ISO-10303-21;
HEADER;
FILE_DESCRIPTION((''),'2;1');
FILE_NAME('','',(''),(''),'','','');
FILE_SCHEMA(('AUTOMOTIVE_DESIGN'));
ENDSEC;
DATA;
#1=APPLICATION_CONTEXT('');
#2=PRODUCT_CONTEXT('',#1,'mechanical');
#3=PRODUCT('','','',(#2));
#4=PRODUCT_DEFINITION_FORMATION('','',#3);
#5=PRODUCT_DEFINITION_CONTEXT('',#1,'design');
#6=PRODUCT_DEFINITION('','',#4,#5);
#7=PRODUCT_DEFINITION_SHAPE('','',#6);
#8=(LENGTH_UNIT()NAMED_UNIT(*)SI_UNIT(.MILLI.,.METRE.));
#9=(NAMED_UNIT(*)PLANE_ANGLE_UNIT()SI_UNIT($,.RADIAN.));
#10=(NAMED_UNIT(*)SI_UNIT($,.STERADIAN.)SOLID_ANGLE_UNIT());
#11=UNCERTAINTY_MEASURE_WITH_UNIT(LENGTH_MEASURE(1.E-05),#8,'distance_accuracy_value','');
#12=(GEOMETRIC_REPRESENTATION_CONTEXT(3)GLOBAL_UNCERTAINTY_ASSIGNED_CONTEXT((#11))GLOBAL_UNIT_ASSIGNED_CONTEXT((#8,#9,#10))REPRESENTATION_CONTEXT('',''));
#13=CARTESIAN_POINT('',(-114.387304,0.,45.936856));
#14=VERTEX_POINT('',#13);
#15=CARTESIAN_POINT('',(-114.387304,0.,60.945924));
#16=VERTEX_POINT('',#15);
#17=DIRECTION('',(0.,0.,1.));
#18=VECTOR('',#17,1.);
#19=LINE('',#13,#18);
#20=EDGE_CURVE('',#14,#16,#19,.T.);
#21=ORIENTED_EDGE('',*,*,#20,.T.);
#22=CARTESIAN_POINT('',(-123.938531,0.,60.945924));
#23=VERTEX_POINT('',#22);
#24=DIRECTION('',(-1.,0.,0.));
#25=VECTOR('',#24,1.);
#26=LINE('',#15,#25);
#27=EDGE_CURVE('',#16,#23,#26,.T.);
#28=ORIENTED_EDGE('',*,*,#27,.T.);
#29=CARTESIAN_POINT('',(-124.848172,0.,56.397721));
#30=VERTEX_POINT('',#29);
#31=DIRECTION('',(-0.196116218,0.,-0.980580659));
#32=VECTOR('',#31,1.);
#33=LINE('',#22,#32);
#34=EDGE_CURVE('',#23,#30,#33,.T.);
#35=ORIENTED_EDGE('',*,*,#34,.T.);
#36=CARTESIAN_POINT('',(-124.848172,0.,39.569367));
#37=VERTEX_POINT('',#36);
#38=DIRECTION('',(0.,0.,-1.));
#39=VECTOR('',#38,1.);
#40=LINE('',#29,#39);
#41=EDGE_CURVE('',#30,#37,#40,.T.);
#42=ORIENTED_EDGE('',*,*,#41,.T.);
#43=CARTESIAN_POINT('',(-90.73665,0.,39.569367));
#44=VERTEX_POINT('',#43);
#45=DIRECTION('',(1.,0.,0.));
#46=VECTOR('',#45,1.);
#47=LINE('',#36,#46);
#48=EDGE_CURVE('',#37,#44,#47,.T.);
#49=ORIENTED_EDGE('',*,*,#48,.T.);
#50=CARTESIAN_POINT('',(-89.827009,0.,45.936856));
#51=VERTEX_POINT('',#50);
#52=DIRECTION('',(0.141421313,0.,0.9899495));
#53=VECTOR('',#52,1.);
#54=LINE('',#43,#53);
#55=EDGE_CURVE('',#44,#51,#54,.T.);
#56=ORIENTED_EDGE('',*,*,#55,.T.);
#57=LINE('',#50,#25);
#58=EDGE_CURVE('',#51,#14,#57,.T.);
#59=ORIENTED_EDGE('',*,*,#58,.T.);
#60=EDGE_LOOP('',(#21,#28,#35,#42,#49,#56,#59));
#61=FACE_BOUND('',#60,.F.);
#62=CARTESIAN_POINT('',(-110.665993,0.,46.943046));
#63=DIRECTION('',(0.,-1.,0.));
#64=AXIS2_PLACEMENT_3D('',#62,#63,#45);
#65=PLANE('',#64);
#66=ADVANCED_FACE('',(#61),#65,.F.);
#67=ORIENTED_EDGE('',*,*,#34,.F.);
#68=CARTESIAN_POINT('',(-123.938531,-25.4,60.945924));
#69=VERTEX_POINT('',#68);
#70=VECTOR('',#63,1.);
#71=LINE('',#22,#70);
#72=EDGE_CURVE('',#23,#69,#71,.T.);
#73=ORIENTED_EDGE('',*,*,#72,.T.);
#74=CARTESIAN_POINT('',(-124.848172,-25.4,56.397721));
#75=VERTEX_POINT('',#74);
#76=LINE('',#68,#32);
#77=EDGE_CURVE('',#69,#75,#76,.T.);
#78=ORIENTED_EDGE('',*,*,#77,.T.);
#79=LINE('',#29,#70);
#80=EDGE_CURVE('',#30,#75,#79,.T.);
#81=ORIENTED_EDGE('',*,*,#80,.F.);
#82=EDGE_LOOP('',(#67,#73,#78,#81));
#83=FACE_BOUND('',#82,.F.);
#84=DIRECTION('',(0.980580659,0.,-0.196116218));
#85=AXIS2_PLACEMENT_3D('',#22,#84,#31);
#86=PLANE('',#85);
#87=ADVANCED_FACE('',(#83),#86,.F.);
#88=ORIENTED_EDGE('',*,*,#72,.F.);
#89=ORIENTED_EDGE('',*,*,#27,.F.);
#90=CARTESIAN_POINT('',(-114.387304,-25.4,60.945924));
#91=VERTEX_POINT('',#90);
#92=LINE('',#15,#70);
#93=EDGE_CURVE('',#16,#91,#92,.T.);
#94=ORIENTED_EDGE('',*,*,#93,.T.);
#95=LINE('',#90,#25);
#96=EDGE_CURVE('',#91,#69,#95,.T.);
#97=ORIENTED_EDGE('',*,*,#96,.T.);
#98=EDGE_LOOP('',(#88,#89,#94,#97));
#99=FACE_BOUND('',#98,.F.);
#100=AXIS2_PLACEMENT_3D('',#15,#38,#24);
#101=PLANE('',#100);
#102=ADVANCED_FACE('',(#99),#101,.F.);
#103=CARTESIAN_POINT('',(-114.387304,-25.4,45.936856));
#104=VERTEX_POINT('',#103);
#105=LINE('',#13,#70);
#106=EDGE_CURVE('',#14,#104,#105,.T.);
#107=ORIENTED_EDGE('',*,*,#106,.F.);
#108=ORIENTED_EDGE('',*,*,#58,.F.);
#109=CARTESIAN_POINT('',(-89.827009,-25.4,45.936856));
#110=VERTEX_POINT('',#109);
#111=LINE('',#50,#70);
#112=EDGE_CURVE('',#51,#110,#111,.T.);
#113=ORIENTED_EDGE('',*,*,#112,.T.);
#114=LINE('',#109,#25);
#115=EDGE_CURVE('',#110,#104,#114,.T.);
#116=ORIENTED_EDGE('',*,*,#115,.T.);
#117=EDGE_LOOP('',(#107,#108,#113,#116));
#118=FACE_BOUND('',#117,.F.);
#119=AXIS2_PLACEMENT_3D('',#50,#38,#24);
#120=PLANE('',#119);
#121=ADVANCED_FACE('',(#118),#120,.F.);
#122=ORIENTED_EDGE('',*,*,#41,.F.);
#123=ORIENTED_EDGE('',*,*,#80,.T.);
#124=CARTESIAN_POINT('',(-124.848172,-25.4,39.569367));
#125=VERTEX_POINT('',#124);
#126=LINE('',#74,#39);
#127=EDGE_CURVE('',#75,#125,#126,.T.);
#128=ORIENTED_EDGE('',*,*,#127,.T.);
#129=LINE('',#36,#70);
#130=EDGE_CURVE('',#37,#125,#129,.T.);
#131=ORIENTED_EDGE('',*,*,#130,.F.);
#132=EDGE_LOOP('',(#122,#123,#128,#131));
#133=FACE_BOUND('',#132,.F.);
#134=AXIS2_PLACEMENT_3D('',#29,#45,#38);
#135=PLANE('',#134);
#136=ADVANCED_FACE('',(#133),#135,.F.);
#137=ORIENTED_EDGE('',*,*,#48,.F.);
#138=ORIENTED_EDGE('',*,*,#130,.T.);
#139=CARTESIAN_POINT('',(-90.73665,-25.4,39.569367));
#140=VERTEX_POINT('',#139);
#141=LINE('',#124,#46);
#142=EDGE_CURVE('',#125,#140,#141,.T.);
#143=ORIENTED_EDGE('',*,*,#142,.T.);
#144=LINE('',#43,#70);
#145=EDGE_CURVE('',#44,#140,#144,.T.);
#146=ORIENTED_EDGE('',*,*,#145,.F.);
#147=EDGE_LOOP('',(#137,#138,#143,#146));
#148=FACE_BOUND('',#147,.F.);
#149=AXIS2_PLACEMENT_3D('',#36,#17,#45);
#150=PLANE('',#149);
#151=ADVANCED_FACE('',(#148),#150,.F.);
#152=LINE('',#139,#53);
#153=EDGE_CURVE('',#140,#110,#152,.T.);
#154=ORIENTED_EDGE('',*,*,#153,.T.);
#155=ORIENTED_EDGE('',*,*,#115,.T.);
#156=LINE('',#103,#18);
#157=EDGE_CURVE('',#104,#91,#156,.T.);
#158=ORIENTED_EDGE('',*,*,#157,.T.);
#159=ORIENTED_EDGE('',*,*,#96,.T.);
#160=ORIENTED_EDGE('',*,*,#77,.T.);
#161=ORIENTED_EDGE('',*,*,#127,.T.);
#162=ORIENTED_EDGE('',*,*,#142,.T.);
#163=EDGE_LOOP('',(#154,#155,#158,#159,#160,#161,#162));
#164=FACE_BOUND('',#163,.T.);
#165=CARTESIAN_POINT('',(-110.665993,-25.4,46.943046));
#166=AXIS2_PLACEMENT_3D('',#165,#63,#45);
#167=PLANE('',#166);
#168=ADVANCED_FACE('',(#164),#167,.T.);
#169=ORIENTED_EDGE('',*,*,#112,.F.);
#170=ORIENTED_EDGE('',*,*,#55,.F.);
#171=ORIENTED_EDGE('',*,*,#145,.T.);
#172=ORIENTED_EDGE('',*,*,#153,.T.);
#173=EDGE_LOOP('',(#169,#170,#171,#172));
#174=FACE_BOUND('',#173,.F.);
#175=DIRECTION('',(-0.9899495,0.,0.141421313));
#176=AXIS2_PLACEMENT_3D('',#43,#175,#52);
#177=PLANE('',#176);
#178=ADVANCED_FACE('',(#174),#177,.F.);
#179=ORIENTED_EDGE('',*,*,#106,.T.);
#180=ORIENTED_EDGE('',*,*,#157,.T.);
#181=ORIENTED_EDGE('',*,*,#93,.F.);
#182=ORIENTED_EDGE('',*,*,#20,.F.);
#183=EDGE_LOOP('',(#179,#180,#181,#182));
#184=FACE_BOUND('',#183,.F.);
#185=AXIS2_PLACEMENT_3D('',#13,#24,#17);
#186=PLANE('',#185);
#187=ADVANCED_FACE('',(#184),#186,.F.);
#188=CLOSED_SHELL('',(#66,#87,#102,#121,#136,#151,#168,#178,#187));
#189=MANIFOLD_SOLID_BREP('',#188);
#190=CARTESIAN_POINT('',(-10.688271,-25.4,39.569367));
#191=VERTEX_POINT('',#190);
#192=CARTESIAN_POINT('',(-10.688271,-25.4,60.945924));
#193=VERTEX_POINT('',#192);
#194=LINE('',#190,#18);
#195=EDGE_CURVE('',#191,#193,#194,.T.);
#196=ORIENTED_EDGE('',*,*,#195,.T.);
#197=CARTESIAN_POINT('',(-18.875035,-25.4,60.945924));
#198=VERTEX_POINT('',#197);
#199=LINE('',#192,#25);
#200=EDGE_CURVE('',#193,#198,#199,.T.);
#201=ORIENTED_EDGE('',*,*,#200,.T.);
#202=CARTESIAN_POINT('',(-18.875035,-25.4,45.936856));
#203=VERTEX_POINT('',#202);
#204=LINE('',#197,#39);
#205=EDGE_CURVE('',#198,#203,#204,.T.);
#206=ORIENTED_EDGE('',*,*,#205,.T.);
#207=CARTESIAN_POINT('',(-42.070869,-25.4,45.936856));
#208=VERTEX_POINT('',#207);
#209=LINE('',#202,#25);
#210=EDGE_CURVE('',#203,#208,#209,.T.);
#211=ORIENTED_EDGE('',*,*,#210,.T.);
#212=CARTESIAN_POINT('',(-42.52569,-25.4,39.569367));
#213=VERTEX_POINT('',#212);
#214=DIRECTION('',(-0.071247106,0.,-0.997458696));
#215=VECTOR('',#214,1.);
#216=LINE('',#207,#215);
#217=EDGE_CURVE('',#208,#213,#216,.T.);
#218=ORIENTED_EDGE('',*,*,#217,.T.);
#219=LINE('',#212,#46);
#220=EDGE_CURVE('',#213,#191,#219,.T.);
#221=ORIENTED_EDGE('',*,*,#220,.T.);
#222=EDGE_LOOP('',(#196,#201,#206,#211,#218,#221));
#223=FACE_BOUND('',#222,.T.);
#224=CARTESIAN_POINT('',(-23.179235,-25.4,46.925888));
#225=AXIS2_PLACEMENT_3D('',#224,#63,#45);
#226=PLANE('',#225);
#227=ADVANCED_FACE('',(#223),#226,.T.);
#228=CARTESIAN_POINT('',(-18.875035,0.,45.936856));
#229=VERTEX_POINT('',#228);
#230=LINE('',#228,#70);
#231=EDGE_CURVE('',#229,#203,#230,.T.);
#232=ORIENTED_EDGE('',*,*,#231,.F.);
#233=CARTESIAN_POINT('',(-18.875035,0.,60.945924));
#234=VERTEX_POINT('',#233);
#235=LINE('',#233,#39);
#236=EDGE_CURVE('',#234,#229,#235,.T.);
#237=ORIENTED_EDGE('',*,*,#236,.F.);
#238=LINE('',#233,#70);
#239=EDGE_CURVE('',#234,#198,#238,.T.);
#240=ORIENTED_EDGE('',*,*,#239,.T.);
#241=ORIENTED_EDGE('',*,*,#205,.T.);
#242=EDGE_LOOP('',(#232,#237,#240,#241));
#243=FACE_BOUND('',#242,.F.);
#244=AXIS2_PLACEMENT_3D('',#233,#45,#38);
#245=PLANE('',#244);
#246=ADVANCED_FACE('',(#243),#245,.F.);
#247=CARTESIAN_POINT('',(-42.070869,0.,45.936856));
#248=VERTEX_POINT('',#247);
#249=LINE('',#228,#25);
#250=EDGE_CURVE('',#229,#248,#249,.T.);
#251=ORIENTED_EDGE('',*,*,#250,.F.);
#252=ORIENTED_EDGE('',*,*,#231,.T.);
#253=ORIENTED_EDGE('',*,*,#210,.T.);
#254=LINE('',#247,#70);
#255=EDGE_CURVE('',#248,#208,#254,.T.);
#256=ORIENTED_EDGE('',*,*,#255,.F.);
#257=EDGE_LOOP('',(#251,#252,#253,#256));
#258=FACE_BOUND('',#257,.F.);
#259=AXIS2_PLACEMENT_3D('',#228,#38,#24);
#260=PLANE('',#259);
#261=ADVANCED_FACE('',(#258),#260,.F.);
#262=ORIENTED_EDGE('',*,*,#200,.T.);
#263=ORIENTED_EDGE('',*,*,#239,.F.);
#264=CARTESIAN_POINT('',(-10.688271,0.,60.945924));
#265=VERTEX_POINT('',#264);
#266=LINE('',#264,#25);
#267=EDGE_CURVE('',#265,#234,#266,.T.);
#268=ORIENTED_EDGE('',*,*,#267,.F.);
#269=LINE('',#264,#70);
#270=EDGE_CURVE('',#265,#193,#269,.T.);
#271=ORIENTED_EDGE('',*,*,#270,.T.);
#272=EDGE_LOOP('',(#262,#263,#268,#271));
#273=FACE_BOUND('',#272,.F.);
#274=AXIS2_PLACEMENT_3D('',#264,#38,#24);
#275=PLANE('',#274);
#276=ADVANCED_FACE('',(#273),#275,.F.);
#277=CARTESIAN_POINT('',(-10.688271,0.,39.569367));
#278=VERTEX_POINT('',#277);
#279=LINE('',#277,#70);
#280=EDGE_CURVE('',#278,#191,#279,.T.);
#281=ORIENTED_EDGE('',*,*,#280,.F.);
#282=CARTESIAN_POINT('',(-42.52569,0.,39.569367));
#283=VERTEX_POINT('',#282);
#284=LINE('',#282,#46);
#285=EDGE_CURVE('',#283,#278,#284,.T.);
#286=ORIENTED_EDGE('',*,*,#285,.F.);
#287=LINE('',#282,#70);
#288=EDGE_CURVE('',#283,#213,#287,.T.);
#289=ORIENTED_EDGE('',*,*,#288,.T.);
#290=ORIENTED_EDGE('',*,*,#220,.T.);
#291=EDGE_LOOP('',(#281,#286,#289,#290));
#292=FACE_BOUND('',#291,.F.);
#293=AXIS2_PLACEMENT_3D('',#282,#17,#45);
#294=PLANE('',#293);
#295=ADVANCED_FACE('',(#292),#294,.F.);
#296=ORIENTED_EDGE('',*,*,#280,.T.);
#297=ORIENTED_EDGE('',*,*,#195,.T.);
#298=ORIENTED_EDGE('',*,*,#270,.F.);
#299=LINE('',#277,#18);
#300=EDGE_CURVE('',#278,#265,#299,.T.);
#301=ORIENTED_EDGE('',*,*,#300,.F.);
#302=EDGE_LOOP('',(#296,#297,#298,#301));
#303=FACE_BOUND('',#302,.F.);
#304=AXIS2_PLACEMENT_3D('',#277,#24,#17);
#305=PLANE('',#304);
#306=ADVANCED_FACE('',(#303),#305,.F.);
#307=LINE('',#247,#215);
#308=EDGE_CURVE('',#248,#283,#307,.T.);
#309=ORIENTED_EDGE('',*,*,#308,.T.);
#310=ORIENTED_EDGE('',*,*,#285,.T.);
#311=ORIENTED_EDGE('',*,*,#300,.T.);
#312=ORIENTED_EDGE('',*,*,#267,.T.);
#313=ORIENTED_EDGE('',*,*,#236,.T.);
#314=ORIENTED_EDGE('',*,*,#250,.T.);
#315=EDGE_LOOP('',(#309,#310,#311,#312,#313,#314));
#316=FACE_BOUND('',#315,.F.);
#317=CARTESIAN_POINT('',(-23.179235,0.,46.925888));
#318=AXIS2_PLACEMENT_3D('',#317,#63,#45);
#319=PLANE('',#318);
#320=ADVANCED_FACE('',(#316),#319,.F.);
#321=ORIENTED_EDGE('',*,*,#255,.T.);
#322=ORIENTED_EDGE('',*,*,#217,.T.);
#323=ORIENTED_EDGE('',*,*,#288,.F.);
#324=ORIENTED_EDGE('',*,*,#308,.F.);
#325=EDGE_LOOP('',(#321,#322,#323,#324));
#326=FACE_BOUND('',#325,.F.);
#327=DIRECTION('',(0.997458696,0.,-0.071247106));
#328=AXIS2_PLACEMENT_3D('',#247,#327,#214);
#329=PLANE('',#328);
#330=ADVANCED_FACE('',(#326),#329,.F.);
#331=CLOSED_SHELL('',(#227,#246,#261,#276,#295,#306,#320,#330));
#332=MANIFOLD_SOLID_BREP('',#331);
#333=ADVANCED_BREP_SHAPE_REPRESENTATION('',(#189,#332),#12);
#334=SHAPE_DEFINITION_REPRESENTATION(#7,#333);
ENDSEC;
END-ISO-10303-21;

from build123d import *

# Parameters (mm, degrees)
F1_DEPTH = 25.4


with BuildPart() as f1:
    # F0 (on Front) → F1 (new body)
    with BuildSketch(Plane.XZ):
        Polygon((-123.938531, 60.945924), (-124.848172, 56.397721), (-124.848172, 39.569367), (-90.73665, 39.569367), (-89.827009, 45.936856), (-114.387304, 45.936856), (-114.387304, 60.945924), align=None)
        Polygon((-42.070869, 45.936856), (-42.52569, 39.569367), (-10.688271, 39.569367), (-10.688271, 60.945924), (-18.875035, 60.945924), (-18.875035, 45.936856), align=None)
    extrude(amount=F1_DEPTH)


solid = f1.part
